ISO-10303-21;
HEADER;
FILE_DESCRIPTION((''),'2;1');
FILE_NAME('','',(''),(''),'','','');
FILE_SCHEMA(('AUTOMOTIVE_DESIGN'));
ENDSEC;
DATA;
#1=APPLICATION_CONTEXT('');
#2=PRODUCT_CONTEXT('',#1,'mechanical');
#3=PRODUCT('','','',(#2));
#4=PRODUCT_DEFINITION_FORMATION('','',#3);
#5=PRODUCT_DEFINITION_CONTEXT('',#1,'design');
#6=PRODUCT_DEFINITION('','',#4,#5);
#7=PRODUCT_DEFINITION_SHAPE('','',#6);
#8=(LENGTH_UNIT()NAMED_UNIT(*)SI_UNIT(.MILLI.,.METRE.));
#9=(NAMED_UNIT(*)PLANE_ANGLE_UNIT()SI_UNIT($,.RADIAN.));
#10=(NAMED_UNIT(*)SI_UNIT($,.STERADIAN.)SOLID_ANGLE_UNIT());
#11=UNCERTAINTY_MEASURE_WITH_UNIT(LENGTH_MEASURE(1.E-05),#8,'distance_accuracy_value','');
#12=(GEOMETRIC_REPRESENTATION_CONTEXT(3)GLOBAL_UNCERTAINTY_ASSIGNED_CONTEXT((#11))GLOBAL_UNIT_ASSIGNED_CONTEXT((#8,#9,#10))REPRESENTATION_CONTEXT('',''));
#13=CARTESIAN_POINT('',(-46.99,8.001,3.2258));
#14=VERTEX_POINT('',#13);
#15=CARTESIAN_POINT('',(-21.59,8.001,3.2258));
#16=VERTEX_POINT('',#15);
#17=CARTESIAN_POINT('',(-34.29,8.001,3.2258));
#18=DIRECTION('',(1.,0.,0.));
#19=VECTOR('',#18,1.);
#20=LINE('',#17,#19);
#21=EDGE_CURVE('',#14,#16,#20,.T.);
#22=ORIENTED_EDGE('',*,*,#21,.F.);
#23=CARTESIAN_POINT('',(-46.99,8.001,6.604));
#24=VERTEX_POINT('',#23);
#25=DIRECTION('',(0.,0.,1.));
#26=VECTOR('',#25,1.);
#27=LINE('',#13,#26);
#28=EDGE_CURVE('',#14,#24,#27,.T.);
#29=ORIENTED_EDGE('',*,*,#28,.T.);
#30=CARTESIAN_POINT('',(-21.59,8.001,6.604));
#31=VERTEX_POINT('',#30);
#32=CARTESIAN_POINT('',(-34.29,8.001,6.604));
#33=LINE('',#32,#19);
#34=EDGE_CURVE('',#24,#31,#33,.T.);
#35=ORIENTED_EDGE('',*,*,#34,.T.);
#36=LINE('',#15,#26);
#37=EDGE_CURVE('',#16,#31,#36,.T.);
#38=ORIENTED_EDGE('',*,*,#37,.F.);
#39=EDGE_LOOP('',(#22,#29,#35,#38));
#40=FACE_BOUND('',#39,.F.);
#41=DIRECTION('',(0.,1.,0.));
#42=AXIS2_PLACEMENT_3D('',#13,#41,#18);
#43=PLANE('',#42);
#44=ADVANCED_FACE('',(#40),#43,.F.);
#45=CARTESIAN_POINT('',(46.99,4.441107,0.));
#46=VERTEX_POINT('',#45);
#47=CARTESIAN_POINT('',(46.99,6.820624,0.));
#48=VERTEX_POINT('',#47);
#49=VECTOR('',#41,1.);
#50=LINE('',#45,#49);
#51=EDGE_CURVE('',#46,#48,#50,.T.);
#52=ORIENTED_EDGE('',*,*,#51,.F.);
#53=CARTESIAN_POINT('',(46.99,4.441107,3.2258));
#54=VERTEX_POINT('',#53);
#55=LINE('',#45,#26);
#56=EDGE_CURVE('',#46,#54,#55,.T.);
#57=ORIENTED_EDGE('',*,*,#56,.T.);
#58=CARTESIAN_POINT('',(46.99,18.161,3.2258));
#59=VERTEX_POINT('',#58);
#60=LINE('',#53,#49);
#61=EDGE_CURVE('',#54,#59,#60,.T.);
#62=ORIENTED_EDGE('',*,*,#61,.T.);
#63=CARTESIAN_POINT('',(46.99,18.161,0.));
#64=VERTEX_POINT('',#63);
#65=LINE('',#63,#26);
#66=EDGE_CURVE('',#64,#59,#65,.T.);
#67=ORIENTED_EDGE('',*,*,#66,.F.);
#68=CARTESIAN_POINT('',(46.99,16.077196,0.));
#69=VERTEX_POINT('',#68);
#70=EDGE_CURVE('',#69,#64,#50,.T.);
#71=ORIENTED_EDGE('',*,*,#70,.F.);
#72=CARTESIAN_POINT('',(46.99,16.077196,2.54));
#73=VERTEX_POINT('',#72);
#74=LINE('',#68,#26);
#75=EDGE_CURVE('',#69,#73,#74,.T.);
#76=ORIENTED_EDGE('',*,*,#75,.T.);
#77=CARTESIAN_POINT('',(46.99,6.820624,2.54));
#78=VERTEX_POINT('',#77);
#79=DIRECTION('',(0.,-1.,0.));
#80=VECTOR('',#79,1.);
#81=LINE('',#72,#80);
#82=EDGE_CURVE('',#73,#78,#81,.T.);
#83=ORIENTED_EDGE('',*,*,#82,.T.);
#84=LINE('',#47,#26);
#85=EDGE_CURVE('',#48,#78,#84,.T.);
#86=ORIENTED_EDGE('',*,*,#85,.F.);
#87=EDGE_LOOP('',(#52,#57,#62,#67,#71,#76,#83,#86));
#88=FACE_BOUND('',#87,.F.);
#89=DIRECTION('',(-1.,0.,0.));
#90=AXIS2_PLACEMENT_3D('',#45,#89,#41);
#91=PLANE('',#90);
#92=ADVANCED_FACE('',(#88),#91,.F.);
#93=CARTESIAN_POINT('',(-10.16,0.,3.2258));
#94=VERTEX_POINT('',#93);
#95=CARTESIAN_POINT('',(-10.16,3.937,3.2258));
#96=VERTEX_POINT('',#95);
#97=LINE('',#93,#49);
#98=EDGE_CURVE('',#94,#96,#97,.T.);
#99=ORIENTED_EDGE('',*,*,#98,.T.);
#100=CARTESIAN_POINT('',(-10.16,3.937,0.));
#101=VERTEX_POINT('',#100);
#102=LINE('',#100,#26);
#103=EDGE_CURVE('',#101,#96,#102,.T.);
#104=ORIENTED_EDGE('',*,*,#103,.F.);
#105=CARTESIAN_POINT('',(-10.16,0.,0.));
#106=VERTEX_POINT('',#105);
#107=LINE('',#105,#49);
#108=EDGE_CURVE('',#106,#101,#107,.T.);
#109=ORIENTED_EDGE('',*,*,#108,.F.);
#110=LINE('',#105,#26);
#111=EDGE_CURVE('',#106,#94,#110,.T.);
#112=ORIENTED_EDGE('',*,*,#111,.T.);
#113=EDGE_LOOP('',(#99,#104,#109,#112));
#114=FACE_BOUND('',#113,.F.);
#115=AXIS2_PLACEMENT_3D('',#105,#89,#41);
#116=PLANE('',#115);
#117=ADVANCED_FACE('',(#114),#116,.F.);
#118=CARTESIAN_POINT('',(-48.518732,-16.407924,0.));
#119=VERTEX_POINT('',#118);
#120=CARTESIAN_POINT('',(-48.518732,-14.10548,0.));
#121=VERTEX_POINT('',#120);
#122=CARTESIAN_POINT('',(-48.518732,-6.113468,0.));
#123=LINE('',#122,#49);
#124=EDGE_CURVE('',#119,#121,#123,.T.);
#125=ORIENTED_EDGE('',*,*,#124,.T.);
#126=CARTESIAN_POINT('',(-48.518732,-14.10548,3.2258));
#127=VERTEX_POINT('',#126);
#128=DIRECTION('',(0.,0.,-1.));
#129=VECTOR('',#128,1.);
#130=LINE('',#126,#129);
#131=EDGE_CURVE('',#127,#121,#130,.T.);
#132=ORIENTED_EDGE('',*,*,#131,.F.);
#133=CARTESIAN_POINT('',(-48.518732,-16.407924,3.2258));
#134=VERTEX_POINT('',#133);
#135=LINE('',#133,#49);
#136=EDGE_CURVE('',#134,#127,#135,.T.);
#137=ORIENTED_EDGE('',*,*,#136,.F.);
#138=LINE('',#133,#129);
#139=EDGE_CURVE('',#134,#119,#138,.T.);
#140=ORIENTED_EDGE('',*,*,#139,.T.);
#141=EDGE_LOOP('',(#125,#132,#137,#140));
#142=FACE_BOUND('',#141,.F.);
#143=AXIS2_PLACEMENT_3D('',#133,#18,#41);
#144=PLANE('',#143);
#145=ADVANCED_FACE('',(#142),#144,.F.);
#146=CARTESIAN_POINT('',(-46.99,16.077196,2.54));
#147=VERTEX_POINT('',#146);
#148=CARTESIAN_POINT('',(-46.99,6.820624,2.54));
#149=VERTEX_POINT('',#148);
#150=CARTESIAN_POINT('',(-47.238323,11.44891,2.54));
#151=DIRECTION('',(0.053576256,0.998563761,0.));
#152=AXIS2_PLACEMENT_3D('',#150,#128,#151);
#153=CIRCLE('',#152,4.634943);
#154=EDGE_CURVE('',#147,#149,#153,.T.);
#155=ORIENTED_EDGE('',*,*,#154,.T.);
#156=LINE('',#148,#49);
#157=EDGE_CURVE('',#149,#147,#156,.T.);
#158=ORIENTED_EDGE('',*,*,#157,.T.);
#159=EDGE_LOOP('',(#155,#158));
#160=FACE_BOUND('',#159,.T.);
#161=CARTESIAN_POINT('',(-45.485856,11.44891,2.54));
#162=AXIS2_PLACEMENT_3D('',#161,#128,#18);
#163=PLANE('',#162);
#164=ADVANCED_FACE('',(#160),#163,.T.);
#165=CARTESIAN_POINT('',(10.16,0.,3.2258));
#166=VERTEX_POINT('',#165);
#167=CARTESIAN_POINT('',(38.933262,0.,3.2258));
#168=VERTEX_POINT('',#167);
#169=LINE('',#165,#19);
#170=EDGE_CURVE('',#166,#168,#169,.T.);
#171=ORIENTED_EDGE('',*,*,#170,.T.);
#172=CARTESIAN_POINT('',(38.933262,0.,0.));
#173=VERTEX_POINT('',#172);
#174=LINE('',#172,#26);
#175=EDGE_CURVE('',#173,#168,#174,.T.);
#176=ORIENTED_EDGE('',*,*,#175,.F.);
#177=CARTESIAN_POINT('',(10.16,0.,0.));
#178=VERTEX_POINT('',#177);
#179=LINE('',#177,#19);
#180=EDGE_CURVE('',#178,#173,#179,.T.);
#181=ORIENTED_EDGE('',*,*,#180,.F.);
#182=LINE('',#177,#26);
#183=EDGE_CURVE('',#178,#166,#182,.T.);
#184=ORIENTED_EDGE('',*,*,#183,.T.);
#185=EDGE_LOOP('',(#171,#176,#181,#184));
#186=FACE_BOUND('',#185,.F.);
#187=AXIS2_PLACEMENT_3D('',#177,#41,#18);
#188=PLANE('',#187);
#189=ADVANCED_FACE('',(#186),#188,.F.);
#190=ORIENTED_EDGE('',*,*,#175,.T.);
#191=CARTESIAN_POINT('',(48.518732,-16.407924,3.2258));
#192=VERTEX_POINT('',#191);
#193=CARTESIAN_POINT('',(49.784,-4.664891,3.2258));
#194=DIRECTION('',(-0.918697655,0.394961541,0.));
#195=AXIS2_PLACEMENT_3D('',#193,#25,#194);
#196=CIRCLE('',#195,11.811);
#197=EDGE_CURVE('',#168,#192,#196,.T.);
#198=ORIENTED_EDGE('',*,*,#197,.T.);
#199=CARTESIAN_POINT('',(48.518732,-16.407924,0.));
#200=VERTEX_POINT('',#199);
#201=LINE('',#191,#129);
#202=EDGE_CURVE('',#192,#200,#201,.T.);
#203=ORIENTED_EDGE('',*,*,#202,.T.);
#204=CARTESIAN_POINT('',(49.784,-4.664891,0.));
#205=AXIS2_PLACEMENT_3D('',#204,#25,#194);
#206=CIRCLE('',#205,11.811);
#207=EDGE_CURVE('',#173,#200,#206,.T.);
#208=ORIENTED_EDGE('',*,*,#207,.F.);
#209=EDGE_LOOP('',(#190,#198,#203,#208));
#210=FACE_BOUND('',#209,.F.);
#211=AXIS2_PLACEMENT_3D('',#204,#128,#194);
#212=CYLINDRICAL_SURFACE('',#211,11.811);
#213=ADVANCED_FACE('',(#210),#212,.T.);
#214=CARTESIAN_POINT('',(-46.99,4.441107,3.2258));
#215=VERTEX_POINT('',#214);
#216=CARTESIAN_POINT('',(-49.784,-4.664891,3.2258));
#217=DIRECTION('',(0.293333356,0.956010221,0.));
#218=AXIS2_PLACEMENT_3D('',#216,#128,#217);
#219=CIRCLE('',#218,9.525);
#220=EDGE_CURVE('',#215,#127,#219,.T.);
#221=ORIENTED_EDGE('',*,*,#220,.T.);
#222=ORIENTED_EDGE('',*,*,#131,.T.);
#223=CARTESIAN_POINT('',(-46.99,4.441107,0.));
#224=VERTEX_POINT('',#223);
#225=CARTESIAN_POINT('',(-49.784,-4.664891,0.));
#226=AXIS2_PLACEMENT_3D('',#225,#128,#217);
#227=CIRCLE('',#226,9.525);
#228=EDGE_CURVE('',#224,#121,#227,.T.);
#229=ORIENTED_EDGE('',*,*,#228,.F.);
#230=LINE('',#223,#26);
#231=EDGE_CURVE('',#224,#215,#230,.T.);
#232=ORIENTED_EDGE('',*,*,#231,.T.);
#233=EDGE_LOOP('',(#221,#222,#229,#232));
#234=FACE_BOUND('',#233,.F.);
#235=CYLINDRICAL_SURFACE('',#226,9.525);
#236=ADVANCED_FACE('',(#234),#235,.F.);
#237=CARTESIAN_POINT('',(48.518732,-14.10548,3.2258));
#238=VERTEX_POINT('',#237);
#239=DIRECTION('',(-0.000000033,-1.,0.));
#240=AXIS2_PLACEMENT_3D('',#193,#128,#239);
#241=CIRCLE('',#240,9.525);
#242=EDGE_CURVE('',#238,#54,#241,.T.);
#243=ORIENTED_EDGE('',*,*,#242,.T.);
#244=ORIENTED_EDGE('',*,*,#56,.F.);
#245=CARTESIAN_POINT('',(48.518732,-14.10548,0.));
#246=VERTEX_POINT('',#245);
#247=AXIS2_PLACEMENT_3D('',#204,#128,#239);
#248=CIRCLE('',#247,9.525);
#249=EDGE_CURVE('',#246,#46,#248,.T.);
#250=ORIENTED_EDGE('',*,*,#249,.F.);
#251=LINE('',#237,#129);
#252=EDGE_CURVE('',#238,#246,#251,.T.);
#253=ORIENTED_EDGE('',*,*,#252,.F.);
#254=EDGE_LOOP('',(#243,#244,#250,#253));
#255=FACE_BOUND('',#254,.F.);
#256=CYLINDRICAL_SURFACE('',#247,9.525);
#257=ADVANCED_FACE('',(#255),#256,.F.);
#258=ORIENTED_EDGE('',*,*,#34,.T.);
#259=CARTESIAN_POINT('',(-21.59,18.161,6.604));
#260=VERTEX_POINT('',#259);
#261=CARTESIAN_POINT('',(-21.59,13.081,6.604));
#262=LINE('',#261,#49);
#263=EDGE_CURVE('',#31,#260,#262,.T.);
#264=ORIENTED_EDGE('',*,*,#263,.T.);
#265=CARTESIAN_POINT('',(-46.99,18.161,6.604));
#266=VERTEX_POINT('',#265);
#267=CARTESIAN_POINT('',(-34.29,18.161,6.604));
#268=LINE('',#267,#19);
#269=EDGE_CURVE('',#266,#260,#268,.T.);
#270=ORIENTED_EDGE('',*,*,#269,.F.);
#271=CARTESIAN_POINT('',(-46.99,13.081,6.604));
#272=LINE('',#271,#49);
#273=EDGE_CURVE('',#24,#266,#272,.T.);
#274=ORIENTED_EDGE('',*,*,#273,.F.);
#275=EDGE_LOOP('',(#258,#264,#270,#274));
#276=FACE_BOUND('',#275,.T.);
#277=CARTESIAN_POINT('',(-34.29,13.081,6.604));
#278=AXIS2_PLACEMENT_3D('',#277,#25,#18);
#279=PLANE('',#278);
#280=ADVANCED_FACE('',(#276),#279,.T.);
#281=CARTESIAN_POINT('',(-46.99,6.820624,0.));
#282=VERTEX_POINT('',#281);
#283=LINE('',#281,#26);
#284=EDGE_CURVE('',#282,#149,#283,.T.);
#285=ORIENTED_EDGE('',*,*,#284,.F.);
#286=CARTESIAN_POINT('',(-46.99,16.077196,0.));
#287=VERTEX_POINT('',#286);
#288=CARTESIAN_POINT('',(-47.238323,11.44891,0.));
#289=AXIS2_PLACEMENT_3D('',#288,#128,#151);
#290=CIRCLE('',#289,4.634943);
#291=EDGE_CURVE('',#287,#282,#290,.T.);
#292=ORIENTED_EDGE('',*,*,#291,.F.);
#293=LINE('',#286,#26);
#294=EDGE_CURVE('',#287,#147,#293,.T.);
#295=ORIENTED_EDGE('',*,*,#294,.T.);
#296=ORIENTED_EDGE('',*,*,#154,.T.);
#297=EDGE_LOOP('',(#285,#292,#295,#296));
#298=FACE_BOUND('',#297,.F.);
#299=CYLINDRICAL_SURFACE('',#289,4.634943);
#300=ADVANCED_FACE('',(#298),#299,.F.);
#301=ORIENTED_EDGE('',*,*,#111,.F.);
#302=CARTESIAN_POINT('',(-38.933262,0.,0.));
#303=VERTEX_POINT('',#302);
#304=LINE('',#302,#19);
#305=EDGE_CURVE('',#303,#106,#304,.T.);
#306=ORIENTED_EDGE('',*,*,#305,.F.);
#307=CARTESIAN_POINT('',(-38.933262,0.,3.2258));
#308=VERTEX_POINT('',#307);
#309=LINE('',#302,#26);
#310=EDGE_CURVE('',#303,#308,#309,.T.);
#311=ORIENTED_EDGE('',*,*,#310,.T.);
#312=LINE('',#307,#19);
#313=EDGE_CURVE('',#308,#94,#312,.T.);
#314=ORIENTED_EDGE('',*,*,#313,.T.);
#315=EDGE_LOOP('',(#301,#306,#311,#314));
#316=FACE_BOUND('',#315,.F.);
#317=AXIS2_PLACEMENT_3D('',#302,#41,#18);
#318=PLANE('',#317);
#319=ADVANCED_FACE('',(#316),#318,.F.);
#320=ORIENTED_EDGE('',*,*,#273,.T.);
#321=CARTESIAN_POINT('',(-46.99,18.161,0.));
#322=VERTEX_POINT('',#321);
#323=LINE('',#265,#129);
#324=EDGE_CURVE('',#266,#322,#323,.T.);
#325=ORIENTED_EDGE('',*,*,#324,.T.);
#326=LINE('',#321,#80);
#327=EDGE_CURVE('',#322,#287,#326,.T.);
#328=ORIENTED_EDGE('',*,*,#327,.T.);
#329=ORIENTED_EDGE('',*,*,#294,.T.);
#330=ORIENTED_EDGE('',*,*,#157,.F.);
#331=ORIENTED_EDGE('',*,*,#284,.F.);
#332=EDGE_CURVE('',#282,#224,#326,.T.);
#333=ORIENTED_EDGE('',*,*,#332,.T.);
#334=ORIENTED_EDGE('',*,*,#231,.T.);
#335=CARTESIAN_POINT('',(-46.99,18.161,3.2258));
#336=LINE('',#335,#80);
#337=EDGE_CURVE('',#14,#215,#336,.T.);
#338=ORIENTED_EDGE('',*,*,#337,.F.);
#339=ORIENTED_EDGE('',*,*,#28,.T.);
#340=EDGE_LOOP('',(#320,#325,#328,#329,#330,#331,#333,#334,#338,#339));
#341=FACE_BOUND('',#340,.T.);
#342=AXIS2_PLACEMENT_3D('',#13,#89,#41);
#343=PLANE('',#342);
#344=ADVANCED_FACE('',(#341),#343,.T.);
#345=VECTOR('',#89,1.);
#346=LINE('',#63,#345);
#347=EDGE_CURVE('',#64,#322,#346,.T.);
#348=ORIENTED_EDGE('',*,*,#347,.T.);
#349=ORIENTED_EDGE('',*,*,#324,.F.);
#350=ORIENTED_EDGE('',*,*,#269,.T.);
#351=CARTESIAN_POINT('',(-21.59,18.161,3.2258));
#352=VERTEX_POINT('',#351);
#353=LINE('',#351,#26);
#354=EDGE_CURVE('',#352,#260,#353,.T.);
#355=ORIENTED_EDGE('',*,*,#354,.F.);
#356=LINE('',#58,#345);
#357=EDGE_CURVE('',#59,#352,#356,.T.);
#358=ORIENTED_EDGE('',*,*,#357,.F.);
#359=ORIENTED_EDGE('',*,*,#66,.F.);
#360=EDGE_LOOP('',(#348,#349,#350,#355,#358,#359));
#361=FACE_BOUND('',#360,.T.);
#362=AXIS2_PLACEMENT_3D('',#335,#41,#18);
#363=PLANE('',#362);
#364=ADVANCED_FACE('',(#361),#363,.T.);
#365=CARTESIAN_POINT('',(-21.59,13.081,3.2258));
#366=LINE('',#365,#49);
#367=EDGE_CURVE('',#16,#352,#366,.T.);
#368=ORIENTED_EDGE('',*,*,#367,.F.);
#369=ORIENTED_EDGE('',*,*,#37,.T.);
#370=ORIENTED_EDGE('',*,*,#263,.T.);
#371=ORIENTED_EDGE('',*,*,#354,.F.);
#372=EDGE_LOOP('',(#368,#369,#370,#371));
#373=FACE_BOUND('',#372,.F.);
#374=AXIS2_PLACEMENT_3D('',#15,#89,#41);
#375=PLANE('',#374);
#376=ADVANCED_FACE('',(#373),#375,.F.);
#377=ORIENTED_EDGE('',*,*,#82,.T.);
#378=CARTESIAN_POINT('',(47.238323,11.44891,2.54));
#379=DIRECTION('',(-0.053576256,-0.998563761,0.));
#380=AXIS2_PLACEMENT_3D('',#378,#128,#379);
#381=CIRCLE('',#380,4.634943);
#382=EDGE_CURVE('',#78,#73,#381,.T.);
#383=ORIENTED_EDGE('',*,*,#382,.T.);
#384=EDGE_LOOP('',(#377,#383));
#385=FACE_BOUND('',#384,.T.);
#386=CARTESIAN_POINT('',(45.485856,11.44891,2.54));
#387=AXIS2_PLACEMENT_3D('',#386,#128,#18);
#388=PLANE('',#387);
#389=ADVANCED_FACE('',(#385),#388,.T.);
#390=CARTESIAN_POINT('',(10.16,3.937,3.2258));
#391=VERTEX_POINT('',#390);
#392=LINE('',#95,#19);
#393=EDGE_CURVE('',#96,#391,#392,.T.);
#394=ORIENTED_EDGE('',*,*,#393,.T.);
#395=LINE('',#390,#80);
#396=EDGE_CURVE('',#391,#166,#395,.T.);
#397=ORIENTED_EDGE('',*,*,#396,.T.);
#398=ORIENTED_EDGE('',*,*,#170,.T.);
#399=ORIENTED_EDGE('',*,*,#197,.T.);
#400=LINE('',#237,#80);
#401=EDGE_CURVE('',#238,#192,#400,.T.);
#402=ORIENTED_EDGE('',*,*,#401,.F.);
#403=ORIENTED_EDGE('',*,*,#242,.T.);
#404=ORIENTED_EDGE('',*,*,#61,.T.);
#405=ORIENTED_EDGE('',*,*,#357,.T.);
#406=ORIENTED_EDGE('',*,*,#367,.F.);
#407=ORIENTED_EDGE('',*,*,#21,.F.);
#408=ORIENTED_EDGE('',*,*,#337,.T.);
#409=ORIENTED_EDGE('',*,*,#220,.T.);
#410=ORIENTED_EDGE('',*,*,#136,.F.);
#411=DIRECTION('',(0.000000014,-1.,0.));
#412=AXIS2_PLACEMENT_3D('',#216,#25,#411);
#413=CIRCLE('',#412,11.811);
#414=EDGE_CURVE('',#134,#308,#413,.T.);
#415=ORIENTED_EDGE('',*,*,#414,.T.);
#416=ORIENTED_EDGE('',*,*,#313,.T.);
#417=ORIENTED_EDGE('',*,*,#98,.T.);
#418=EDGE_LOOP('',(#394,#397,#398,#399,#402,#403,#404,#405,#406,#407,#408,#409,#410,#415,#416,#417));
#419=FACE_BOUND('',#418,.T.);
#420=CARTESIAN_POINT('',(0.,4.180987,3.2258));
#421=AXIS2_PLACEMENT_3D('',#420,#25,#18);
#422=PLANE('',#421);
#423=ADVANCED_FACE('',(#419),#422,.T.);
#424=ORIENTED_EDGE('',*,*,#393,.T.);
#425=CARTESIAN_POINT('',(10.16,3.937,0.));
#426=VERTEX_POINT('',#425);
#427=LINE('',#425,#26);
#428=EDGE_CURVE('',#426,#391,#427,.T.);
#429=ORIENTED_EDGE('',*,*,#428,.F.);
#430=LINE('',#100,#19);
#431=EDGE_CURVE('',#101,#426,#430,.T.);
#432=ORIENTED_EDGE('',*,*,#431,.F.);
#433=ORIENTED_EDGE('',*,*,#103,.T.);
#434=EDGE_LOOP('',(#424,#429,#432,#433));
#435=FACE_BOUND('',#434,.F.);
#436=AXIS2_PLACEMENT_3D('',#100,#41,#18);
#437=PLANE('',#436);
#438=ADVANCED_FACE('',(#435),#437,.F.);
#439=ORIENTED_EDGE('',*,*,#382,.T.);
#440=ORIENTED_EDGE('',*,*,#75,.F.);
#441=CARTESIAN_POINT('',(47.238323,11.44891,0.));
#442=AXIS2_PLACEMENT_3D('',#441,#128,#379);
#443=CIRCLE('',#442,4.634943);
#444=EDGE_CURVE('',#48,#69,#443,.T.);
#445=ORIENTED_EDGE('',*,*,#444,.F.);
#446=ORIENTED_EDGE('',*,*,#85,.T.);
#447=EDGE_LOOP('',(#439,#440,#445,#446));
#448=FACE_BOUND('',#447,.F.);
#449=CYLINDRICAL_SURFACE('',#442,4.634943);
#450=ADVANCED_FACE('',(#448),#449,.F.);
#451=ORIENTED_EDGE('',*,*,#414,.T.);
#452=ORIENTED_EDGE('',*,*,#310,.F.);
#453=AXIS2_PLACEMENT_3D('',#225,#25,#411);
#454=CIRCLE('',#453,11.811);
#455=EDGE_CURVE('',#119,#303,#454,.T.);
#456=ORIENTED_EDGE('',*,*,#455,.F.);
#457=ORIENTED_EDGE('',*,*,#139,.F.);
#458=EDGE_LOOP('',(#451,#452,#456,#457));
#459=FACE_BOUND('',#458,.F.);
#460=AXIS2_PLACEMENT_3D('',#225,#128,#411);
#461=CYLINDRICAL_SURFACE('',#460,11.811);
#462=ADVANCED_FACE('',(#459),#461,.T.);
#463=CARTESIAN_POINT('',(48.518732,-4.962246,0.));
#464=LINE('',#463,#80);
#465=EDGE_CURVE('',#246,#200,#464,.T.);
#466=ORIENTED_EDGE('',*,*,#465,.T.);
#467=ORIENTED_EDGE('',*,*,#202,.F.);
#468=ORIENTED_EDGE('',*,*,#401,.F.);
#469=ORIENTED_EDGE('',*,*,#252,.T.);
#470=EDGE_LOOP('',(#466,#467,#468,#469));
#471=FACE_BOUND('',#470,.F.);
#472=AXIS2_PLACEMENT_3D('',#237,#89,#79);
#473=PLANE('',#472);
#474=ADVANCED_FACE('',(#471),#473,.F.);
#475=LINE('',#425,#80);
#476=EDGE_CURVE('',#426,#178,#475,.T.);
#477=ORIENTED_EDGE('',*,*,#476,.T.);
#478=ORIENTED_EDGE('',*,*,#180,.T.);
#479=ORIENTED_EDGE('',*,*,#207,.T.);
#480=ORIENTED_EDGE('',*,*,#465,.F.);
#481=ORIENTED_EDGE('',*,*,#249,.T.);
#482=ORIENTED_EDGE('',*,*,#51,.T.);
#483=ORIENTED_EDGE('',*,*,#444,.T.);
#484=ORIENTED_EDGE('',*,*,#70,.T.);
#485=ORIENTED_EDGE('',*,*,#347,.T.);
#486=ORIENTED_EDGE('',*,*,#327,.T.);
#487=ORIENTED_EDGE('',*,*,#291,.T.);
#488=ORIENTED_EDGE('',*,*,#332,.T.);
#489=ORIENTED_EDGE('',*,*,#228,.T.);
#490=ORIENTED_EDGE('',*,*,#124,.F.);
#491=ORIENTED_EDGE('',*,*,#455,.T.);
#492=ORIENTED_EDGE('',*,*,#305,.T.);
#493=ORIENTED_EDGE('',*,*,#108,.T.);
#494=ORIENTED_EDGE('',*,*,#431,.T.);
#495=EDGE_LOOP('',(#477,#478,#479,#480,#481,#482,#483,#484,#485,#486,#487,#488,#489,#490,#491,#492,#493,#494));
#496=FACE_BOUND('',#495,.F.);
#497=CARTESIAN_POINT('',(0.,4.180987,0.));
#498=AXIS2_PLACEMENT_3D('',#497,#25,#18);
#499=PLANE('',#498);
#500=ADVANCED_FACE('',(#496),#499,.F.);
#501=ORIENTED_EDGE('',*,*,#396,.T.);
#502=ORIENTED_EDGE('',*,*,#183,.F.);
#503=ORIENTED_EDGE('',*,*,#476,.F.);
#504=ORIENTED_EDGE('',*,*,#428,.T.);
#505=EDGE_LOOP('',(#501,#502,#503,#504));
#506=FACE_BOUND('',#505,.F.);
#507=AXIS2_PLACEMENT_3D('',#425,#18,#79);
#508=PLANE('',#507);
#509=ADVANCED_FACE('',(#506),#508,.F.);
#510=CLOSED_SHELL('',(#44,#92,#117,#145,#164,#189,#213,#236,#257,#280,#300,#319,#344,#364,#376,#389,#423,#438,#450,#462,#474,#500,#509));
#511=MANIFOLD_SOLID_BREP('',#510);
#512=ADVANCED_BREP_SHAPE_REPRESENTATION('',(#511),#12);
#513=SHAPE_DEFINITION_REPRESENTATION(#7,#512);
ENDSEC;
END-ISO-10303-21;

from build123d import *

# Parameters (mm, degrees)
F1_DEPTH = 3.2258
F2_W     = 25.4
F2_H     = 10.16
F3_DEPTH = 3.3782
F5_DEPTH = 2.54
F7_DEPTH = 3.2268


with BuildPart() as f1:
    # F0 (on Top) → F1 (new body)
    with BuildSketch(Plane.XY):
        with BuildLine():
            Line((46.99, 18.161), (-46.99, 18.161))
            Line((-46.99, 18.161), (-46.99, 4.441107))
            ThreePointArc((-46.99, 4.441107), (-40.364333, -6.077512), (-49.784, -14.189891))
            Line((-49.784, -14.189891), (-49.784, -16.475891))
            ThreePointArc((-49.784, -16.475891), (-39.920006, -11.161147), (-38.933262, 0))
            Line((-38.933262, 0), (-10.16, 0))
            Line((-10.16, 0), (-10.16, 3.937))
            Line((-10.16, 3.937), (10.16, 3.937))
            Line((10.16, 3.937), (10.16, 0))
            Line((10.16, 0), (38.933262, 0))
            ThreePointArc((38.933262, 0), (39.920006, -11.161147), (49.784, -16.475891))
            Line((49.784, -16.475891), (49.784, -14.189891))
            ThreePointArc((49.784, -14.189891), (40.364333, -6.077512), (46.99, 4.441107))
            Line((46.99, 4.441107), (46.99, 18.161))
        make_face()
    extrude(amount=F1_DEPTH)

    # F2 (on face) → F3 (join)
    with BuildSketch(Plane.XY.offset(3.2258)):
        with Locations((-34.29, 13.081)):
            Rectangle(F2_W, F2_H)
    extrude(amount=F3_DEPTH)

    # F4 (on face) → F5 (cut)
    with BuildSketch(Plane(origin=(0, 0, 0), x_dir=(1, 0, 0), z_dir=(0, 0, -1))):
        with BuildLine():
            Line((-46.99, -6.820624), (-46.99, -16.077196))
            ThreePointArc((-46.99, -16.077196), (-42.60338, -11.44891), (-46.99, -6.820624))
        make_face()
        with BuildLine():
            ThreePointArc((46.99, -6.820624), (42.60338, -11.44891), (46.99, -16.077196))
            Line((46.99, -16.077196), (46.99, -6.820624))
        make_face()
    extrude(amount=-F5_DEPTH, mode=Mode.SUBTRACT)

    # F6 (on face) → F7 (cut, through all)
    with BuildSketch(Plane.XY.offset(3.2258)):
        with BuildLine():
            Line((-48.518732, -16.407924), (-48.518732, -14.10548))
            ThreePointArc((-48.518732, -14.10548), (-49.149959, -14.168765), (-49.784, -14.189891))
            Line((-49.784, -14.189891), (-49.784, -16.475891))
            ThreePointArc((-49.784, -16.475891), (-49.150454, -16.458887), (-48.518732, -16.407924))
        make_face()
        with BuildLine():
            ThreePointArc((48.518732, -16.407924), (49.150454, -16.458887), (49.784, -16.475891))
            Line((49.784, -16.475891), (49.784, -14.189891))
            ThreePointArc((49.784, -14.189891), (49.149959, -14.168765), (48.518732, -14.10548))
            Line((48.518732, -14.10548), (48.518732, -16.407924))
        make_face()
    extrude(amount=-F7_DEPTH, mode=Mode.SUBTRACT)


solid = f1.part
